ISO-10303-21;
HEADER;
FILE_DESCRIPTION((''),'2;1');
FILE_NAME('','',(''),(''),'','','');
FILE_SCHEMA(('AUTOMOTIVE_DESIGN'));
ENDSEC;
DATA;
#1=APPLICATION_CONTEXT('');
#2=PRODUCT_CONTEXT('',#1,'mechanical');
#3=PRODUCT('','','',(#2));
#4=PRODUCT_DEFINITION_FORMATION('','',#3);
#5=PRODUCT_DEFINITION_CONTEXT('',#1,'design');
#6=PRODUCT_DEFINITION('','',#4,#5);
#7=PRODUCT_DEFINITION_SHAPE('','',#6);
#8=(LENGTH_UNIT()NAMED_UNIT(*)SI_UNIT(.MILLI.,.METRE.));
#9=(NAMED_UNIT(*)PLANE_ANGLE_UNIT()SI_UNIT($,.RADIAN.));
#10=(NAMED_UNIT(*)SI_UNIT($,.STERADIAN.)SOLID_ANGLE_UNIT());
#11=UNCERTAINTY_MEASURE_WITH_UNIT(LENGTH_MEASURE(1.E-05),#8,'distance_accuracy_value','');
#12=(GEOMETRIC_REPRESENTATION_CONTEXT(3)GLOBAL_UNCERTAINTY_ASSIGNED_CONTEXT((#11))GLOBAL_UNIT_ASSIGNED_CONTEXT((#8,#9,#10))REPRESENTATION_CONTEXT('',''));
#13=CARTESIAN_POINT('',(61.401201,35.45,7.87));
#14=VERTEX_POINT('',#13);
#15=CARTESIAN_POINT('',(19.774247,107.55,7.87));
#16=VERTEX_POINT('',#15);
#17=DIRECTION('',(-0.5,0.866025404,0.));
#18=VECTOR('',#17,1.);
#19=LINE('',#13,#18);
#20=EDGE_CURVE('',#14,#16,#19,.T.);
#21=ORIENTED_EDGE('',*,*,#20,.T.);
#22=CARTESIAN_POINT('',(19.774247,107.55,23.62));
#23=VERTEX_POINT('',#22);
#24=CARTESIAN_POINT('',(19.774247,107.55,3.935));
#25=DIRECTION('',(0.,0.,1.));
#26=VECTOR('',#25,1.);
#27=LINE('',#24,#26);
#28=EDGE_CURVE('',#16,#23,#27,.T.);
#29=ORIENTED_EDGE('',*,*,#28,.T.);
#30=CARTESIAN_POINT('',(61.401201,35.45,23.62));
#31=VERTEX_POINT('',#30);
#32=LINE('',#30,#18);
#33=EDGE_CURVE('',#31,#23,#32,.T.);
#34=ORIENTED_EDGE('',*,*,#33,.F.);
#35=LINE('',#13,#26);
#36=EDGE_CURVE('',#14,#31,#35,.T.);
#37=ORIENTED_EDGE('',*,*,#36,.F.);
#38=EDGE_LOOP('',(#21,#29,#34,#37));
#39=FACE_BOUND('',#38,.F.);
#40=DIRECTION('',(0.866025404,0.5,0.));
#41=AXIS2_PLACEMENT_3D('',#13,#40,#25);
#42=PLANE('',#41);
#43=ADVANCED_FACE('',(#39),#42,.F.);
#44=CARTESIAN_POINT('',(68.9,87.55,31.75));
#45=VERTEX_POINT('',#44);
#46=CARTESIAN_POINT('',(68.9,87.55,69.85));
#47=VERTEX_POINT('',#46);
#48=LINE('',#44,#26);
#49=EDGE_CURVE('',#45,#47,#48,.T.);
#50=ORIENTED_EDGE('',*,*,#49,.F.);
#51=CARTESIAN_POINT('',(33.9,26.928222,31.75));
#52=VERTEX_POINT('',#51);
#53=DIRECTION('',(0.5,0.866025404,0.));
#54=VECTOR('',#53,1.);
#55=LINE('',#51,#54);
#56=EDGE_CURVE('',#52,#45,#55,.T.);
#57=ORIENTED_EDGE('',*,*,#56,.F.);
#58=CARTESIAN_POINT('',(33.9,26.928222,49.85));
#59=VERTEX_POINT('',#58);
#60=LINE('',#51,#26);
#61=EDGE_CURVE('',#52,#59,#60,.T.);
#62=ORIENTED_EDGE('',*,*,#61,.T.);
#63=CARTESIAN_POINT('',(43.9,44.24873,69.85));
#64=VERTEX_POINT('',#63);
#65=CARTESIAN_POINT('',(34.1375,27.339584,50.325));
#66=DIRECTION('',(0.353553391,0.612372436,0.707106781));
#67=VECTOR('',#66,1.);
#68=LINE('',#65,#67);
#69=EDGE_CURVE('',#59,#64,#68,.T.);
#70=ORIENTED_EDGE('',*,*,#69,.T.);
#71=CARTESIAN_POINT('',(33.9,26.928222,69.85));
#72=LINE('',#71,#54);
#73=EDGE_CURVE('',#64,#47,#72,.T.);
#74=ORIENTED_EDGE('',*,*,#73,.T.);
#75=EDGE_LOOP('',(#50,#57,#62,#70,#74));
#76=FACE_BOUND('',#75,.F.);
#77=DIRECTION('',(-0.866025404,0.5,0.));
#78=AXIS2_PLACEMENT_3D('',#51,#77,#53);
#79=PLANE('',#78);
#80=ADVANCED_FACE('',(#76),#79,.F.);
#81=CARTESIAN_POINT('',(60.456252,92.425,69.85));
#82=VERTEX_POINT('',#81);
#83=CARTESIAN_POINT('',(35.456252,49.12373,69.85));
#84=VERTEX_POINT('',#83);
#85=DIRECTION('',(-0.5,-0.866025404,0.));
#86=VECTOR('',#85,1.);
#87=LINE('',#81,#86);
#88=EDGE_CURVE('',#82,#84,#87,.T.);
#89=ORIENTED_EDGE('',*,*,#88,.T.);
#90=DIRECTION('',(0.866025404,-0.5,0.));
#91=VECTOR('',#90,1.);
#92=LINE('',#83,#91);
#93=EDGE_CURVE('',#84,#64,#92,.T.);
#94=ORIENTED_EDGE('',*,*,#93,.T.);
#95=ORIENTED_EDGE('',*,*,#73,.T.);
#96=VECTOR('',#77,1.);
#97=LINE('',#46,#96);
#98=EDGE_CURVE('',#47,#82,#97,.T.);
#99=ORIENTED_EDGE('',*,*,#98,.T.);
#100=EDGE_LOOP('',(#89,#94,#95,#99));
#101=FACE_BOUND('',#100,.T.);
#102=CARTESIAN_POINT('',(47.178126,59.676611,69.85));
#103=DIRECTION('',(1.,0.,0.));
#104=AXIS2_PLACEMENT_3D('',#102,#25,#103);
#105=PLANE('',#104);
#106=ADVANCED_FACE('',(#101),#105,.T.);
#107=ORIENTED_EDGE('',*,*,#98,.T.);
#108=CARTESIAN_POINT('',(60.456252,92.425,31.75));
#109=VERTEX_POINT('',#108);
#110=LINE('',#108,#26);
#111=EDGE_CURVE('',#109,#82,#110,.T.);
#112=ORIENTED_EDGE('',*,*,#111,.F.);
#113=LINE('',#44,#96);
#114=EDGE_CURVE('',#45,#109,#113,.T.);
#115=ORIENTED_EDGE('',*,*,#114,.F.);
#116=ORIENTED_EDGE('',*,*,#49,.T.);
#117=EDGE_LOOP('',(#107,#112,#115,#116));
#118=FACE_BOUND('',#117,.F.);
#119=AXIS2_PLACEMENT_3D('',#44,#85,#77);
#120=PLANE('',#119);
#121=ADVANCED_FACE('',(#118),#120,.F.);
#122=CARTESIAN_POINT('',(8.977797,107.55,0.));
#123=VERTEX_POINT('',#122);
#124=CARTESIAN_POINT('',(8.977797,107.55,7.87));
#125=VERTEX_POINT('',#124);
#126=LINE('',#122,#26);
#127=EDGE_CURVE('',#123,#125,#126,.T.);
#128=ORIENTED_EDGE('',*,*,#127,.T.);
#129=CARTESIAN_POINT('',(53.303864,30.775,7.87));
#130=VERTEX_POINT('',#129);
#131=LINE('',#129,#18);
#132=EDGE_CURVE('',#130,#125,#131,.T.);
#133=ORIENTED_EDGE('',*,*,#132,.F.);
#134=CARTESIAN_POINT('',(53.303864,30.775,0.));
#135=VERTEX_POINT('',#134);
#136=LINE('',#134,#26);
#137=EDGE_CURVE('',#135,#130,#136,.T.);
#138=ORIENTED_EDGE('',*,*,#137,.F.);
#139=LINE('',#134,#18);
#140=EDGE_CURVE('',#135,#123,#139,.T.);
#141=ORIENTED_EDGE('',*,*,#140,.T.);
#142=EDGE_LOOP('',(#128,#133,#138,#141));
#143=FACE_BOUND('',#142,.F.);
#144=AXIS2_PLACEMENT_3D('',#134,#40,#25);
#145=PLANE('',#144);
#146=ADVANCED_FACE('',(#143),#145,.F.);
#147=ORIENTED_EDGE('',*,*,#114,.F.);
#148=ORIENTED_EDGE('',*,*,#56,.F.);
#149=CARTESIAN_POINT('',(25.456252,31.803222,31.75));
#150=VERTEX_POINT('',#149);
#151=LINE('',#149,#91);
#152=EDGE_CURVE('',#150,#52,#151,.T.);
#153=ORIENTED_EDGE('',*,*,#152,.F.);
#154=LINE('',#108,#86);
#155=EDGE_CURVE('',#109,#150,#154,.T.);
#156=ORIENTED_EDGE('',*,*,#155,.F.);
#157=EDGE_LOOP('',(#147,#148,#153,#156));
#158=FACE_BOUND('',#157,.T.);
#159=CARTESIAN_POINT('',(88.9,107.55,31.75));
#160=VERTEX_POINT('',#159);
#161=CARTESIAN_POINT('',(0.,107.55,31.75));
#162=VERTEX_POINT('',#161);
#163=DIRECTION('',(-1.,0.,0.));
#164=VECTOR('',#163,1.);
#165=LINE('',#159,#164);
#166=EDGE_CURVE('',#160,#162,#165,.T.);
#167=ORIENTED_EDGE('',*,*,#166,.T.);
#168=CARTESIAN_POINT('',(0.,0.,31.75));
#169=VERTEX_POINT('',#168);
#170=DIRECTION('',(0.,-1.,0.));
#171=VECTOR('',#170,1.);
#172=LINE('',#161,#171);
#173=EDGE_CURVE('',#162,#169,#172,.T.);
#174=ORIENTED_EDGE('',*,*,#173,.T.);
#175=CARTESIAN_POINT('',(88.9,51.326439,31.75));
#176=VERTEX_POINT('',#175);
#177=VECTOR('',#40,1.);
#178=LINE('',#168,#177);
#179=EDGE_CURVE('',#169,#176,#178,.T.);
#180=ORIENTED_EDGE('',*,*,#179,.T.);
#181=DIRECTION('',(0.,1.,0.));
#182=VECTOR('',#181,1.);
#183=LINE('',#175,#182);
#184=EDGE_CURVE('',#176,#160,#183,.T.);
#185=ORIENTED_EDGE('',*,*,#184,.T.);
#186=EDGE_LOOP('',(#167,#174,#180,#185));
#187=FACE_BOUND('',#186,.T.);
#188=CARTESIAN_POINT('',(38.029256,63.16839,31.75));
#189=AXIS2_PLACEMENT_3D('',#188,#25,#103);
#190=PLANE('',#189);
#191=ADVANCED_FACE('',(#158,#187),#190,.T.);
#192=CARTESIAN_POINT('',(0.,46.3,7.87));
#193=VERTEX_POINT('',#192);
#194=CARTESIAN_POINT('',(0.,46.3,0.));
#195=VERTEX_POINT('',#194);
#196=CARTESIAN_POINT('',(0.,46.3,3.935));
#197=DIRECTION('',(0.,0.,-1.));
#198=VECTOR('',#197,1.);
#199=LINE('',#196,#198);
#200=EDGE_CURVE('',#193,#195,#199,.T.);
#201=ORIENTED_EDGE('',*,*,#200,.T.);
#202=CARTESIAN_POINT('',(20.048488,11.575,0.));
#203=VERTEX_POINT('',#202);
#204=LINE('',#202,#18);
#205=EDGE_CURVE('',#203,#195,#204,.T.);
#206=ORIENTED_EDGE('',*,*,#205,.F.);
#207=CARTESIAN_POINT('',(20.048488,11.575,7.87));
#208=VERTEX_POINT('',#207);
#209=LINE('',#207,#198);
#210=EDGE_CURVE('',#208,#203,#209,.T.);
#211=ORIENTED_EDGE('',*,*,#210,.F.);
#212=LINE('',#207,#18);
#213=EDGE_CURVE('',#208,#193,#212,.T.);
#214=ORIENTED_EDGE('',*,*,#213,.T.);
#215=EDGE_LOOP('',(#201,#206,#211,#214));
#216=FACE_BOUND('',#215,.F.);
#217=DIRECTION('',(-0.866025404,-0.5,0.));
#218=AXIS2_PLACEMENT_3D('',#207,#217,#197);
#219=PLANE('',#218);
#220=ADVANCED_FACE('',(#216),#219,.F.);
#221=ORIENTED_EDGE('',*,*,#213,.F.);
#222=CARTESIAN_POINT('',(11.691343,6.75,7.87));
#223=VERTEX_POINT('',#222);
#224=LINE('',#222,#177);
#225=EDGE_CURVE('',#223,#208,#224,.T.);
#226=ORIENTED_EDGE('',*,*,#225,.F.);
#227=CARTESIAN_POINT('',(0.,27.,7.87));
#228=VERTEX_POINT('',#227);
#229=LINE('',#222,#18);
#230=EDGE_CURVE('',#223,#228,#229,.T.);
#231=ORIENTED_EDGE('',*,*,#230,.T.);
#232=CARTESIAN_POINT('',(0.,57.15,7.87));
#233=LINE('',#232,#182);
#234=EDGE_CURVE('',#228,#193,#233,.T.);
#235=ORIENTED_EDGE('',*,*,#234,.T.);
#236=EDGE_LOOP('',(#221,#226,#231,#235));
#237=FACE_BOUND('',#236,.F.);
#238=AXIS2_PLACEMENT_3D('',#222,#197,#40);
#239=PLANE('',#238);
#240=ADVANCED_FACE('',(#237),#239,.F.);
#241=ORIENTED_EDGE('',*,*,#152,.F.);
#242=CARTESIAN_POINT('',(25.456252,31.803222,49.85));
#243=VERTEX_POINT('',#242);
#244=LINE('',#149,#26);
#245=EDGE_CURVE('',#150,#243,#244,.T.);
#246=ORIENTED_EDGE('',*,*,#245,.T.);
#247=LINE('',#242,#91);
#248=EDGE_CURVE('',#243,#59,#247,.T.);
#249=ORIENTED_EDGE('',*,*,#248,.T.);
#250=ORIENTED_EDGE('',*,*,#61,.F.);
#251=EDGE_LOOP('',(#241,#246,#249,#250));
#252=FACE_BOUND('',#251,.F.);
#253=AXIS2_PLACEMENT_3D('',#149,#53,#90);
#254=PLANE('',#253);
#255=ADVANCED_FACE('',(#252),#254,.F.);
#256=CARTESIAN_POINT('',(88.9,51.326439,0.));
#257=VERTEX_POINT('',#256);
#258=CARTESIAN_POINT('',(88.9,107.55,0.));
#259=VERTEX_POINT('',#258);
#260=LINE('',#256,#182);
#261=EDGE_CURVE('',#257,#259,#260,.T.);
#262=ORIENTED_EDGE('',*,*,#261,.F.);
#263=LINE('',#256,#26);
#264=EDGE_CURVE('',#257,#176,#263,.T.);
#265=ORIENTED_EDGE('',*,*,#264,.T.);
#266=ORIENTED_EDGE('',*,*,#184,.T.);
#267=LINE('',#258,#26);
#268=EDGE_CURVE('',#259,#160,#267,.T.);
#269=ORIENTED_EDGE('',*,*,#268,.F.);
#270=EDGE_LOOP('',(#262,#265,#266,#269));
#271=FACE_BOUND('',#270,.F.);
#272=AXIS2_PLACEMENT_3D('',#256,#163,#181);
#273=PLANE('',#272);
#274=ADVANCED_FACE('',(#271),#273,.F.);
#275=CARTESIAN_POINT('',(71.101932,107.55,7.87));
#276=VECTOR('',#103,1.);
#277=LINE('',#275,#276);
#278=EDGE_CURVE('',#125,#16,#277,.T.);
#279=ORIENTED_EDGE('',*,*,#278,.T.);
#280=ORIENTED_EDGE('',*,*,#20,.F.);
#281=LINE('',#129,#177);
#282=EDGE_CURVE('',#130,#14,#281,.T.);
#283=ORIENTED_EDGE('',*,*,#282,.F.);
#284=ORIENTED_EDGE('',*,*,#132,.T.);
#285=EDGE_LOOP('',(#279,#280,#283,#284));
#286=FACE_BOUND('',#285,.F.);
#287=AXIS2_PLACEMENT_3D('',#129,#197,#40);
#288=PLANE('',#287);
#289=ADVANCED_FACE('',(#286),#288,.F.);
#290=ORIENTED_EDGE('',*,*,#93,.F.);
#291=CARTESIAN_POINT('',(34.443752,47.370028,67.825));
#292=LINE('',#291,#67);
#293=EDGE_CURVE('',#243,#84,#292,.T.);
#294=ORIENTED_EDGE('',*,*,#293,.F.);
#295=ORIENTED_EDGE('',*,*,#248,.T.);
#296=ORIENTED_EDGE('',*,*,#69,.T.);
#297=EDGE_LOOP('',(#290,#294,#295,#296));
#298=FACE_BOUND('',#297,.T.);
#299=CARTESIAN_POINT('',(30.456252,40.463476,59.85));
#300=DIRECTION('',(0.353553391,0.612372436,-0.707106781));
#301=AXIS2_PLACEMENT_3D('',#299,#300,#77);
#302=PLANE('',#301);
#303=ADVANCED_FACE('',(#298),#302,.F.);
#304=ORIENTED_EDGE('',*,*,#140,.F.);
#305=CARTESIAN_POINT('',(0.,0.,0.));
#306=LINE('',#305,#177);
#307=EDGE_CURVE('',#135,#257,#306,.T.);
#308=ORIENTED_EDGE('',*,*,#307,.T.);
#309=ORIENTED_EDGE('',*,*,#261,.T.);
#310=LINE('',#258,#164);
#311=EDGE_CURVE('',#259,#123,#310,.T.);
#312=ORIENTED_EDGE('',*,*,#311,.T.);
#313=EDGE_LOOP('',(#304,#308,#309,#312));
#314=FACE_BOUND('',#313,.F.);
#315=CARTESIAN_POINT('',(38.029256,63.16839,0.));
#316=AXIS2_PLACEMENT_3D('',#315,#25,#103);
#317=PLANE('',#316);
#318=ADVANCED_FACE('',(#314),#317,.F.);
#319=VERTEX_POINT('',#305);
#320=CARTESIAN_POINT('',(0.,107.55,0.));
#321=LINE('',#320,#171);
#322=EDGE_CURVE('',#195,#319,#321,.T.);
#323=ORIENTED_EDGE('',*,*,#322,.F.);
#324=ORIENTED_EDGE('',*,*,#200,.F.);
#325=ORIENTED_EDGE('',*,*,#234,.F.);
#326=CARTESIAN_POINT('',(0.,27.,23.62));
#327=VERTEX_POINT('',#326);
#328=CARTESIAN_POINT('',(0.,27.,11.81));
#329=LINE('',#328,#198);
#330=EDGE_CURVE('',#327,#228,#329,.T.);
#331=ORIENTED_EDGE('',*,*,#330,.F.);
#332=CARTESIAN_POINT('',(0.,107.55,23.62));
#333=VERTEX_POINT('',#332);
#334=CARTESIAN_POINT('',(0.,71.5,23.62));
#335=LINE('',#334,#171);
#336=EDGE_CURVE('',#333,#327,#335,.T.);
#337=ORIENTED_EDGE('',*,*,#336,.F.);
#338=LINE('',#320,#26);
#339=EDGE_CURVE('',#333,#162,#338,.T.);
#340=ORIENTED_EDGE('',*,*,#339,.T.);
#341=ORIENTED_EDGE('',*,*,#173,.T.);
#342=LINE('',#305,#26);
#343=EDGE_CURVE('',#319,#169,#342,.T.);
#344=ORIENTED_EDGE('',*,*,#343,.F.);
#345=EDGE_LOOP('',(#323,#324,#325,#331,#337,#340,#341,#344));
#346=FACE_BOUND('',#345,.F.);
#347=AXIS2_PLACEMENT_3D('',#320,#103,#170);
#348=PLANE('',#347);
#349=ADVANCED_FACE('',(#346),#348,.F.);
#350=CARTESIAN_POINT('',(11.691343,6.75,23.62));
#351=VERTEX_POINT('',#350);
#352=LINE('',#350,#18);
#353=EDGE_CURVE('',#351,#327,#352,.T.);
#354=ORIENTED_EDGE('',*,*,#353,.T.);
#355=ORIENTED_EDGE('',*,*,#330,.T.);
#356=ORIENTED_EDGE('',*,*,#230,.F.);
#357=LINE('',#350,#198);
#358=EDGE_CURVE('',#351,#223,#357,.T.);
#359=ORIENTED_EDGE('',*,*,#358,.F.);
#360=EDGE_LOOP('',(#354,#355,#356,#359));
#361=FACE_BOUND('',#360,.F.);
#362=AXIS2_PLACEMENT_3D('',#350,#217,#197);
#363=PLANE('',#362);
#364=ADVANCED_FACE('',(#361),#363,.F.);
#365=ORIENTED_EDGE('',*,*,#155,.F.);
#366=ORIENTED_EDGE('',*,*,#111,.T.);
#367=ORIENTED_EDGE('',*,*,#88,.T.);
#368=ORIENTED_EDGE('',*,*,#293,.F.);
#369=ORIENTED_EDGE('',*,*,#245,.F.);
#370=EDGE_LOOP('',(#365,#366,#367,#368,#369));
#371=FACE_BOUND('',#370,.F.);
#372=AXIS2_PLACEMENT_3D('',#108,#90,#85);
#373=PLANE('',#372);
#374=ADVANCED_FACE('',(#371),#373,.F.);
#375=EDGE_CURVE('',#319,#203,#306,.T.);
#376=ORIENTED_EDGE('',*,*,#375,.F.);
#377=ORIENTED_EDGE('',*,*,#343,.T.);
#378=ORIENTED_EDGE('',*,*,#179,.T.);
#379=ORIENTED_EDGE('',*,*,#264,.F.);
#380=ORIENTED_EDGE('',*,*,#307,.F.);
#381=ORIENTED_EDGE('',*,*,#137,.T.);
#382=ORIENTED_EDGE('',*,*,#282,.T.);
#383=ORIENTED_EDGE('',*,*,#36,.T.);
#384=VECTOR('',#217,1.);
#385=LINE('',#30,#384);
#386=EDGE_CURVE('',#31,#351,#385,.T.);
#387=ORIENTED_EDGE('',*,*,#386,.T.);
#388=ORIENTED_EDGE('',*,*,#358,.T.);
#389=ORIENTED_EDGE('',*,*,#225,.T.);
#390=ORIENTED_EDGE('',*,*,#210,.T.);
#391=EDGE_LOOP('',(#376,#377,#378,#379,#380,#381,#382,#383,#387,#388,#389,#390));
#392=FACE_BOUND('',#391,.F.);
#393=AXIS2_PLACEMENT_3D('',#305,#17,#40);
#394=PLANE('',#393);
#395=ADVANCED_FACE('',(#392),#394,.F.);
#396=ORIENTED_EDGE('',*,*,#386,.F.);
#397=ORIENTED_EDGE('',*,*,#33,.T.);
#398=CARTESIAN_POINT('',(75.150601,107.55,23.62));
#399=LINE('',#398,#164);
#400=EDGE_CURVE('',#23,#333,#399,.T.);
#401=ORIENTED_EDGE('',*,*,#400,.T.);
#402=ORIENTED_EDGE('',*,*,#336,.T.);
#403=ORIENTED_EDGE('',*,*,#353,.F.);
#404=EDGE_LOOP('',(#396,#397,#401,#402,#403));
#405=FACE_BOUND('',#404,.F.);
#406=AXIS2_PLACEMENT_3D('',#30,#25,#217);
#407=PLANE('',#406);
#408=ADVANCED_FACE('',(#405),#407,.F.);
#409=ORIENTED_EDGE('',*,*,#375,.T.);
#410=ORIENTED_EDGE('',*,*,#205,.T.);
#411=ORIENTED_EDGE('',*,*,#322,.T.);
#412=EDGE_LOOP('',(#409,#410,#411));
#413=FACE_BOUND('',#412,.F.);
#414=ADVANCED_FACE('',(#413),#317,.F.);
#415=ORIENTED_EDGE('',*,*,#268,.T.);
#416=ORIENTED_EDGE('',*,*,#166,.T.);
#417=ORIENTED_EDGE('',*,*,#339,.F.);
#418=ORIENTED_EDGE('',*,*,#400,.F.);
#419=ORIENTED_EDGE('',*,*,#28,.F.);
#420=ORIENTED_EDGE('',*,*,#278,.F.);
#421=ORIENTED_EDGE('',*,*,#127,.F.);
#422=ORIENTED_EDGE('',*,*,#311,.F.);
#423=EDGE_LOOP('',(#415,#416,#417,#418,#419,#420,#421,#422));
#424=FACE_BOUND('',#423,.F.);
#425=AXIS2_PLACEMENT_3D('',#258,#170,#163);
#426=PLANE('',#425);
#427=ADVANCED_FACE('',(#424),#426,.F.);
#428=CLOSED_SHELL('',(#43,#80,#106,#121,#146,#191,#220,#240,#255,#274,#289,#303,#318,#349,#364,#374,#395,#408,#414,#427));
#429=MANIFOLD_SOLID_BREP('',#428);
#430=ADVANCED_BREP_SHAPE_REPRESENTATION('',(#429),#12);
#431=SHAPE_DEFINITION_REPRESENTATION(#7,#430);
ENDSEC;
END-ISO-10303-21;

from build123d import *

# Parameters (mm, degrees)
F1_DEPTH = 31.75
F3_DEPTH = 120
F5_DEPTH = 38.1
F6_SIZE  = 20


with BuildPart() as f1:
    # F0 (on Top) → F1 (new body)
    with BuildSketch(Plane.XY):
        Polygon((88.9, 107.55), (0, 107.55), (0, 0), (88.9, 51.326438931), align=None)
    extrude(amount=F1_DEPTH)

    # F2 (on face) → F3 (cut)
    with BuildSketch(Plane(origin=(0, 0, 0), x_dir=(0.8660254038, 0.5, 0), z_dir=(0.5, -0.8660254038, 0))):
        Polygon((70.9, 23.62), (13.5, 23.62), (13.5, 7.87), (23.15, 7.87), (23.15, 0), (61.55, 0), (61.55, 7.87), (70.9, 7.87), align=None)
    extrude(amount=-F3_DEPTH, mode=Mode.SUBTRACT)

    # F4 (on face) → F5 (join)
    with BuildSketch(Plane.XY.offset(31.75)):
        Polygon((33.9, 26.9282217351), (68.9, 87.55), (60.4562523131, 92.425), (25.4562523131, 31.8032217351), align=None)
    extrude(amount=F5_DEPTH)

    # F6
    f6_edges = [f1.edges().sort_by_distance(p)[0] for p in [
        (29.678126, 29.365722, 69.85),
    ]]
    chamfer(f6_edges, length=F6_SIZE)


solid = f1.part
